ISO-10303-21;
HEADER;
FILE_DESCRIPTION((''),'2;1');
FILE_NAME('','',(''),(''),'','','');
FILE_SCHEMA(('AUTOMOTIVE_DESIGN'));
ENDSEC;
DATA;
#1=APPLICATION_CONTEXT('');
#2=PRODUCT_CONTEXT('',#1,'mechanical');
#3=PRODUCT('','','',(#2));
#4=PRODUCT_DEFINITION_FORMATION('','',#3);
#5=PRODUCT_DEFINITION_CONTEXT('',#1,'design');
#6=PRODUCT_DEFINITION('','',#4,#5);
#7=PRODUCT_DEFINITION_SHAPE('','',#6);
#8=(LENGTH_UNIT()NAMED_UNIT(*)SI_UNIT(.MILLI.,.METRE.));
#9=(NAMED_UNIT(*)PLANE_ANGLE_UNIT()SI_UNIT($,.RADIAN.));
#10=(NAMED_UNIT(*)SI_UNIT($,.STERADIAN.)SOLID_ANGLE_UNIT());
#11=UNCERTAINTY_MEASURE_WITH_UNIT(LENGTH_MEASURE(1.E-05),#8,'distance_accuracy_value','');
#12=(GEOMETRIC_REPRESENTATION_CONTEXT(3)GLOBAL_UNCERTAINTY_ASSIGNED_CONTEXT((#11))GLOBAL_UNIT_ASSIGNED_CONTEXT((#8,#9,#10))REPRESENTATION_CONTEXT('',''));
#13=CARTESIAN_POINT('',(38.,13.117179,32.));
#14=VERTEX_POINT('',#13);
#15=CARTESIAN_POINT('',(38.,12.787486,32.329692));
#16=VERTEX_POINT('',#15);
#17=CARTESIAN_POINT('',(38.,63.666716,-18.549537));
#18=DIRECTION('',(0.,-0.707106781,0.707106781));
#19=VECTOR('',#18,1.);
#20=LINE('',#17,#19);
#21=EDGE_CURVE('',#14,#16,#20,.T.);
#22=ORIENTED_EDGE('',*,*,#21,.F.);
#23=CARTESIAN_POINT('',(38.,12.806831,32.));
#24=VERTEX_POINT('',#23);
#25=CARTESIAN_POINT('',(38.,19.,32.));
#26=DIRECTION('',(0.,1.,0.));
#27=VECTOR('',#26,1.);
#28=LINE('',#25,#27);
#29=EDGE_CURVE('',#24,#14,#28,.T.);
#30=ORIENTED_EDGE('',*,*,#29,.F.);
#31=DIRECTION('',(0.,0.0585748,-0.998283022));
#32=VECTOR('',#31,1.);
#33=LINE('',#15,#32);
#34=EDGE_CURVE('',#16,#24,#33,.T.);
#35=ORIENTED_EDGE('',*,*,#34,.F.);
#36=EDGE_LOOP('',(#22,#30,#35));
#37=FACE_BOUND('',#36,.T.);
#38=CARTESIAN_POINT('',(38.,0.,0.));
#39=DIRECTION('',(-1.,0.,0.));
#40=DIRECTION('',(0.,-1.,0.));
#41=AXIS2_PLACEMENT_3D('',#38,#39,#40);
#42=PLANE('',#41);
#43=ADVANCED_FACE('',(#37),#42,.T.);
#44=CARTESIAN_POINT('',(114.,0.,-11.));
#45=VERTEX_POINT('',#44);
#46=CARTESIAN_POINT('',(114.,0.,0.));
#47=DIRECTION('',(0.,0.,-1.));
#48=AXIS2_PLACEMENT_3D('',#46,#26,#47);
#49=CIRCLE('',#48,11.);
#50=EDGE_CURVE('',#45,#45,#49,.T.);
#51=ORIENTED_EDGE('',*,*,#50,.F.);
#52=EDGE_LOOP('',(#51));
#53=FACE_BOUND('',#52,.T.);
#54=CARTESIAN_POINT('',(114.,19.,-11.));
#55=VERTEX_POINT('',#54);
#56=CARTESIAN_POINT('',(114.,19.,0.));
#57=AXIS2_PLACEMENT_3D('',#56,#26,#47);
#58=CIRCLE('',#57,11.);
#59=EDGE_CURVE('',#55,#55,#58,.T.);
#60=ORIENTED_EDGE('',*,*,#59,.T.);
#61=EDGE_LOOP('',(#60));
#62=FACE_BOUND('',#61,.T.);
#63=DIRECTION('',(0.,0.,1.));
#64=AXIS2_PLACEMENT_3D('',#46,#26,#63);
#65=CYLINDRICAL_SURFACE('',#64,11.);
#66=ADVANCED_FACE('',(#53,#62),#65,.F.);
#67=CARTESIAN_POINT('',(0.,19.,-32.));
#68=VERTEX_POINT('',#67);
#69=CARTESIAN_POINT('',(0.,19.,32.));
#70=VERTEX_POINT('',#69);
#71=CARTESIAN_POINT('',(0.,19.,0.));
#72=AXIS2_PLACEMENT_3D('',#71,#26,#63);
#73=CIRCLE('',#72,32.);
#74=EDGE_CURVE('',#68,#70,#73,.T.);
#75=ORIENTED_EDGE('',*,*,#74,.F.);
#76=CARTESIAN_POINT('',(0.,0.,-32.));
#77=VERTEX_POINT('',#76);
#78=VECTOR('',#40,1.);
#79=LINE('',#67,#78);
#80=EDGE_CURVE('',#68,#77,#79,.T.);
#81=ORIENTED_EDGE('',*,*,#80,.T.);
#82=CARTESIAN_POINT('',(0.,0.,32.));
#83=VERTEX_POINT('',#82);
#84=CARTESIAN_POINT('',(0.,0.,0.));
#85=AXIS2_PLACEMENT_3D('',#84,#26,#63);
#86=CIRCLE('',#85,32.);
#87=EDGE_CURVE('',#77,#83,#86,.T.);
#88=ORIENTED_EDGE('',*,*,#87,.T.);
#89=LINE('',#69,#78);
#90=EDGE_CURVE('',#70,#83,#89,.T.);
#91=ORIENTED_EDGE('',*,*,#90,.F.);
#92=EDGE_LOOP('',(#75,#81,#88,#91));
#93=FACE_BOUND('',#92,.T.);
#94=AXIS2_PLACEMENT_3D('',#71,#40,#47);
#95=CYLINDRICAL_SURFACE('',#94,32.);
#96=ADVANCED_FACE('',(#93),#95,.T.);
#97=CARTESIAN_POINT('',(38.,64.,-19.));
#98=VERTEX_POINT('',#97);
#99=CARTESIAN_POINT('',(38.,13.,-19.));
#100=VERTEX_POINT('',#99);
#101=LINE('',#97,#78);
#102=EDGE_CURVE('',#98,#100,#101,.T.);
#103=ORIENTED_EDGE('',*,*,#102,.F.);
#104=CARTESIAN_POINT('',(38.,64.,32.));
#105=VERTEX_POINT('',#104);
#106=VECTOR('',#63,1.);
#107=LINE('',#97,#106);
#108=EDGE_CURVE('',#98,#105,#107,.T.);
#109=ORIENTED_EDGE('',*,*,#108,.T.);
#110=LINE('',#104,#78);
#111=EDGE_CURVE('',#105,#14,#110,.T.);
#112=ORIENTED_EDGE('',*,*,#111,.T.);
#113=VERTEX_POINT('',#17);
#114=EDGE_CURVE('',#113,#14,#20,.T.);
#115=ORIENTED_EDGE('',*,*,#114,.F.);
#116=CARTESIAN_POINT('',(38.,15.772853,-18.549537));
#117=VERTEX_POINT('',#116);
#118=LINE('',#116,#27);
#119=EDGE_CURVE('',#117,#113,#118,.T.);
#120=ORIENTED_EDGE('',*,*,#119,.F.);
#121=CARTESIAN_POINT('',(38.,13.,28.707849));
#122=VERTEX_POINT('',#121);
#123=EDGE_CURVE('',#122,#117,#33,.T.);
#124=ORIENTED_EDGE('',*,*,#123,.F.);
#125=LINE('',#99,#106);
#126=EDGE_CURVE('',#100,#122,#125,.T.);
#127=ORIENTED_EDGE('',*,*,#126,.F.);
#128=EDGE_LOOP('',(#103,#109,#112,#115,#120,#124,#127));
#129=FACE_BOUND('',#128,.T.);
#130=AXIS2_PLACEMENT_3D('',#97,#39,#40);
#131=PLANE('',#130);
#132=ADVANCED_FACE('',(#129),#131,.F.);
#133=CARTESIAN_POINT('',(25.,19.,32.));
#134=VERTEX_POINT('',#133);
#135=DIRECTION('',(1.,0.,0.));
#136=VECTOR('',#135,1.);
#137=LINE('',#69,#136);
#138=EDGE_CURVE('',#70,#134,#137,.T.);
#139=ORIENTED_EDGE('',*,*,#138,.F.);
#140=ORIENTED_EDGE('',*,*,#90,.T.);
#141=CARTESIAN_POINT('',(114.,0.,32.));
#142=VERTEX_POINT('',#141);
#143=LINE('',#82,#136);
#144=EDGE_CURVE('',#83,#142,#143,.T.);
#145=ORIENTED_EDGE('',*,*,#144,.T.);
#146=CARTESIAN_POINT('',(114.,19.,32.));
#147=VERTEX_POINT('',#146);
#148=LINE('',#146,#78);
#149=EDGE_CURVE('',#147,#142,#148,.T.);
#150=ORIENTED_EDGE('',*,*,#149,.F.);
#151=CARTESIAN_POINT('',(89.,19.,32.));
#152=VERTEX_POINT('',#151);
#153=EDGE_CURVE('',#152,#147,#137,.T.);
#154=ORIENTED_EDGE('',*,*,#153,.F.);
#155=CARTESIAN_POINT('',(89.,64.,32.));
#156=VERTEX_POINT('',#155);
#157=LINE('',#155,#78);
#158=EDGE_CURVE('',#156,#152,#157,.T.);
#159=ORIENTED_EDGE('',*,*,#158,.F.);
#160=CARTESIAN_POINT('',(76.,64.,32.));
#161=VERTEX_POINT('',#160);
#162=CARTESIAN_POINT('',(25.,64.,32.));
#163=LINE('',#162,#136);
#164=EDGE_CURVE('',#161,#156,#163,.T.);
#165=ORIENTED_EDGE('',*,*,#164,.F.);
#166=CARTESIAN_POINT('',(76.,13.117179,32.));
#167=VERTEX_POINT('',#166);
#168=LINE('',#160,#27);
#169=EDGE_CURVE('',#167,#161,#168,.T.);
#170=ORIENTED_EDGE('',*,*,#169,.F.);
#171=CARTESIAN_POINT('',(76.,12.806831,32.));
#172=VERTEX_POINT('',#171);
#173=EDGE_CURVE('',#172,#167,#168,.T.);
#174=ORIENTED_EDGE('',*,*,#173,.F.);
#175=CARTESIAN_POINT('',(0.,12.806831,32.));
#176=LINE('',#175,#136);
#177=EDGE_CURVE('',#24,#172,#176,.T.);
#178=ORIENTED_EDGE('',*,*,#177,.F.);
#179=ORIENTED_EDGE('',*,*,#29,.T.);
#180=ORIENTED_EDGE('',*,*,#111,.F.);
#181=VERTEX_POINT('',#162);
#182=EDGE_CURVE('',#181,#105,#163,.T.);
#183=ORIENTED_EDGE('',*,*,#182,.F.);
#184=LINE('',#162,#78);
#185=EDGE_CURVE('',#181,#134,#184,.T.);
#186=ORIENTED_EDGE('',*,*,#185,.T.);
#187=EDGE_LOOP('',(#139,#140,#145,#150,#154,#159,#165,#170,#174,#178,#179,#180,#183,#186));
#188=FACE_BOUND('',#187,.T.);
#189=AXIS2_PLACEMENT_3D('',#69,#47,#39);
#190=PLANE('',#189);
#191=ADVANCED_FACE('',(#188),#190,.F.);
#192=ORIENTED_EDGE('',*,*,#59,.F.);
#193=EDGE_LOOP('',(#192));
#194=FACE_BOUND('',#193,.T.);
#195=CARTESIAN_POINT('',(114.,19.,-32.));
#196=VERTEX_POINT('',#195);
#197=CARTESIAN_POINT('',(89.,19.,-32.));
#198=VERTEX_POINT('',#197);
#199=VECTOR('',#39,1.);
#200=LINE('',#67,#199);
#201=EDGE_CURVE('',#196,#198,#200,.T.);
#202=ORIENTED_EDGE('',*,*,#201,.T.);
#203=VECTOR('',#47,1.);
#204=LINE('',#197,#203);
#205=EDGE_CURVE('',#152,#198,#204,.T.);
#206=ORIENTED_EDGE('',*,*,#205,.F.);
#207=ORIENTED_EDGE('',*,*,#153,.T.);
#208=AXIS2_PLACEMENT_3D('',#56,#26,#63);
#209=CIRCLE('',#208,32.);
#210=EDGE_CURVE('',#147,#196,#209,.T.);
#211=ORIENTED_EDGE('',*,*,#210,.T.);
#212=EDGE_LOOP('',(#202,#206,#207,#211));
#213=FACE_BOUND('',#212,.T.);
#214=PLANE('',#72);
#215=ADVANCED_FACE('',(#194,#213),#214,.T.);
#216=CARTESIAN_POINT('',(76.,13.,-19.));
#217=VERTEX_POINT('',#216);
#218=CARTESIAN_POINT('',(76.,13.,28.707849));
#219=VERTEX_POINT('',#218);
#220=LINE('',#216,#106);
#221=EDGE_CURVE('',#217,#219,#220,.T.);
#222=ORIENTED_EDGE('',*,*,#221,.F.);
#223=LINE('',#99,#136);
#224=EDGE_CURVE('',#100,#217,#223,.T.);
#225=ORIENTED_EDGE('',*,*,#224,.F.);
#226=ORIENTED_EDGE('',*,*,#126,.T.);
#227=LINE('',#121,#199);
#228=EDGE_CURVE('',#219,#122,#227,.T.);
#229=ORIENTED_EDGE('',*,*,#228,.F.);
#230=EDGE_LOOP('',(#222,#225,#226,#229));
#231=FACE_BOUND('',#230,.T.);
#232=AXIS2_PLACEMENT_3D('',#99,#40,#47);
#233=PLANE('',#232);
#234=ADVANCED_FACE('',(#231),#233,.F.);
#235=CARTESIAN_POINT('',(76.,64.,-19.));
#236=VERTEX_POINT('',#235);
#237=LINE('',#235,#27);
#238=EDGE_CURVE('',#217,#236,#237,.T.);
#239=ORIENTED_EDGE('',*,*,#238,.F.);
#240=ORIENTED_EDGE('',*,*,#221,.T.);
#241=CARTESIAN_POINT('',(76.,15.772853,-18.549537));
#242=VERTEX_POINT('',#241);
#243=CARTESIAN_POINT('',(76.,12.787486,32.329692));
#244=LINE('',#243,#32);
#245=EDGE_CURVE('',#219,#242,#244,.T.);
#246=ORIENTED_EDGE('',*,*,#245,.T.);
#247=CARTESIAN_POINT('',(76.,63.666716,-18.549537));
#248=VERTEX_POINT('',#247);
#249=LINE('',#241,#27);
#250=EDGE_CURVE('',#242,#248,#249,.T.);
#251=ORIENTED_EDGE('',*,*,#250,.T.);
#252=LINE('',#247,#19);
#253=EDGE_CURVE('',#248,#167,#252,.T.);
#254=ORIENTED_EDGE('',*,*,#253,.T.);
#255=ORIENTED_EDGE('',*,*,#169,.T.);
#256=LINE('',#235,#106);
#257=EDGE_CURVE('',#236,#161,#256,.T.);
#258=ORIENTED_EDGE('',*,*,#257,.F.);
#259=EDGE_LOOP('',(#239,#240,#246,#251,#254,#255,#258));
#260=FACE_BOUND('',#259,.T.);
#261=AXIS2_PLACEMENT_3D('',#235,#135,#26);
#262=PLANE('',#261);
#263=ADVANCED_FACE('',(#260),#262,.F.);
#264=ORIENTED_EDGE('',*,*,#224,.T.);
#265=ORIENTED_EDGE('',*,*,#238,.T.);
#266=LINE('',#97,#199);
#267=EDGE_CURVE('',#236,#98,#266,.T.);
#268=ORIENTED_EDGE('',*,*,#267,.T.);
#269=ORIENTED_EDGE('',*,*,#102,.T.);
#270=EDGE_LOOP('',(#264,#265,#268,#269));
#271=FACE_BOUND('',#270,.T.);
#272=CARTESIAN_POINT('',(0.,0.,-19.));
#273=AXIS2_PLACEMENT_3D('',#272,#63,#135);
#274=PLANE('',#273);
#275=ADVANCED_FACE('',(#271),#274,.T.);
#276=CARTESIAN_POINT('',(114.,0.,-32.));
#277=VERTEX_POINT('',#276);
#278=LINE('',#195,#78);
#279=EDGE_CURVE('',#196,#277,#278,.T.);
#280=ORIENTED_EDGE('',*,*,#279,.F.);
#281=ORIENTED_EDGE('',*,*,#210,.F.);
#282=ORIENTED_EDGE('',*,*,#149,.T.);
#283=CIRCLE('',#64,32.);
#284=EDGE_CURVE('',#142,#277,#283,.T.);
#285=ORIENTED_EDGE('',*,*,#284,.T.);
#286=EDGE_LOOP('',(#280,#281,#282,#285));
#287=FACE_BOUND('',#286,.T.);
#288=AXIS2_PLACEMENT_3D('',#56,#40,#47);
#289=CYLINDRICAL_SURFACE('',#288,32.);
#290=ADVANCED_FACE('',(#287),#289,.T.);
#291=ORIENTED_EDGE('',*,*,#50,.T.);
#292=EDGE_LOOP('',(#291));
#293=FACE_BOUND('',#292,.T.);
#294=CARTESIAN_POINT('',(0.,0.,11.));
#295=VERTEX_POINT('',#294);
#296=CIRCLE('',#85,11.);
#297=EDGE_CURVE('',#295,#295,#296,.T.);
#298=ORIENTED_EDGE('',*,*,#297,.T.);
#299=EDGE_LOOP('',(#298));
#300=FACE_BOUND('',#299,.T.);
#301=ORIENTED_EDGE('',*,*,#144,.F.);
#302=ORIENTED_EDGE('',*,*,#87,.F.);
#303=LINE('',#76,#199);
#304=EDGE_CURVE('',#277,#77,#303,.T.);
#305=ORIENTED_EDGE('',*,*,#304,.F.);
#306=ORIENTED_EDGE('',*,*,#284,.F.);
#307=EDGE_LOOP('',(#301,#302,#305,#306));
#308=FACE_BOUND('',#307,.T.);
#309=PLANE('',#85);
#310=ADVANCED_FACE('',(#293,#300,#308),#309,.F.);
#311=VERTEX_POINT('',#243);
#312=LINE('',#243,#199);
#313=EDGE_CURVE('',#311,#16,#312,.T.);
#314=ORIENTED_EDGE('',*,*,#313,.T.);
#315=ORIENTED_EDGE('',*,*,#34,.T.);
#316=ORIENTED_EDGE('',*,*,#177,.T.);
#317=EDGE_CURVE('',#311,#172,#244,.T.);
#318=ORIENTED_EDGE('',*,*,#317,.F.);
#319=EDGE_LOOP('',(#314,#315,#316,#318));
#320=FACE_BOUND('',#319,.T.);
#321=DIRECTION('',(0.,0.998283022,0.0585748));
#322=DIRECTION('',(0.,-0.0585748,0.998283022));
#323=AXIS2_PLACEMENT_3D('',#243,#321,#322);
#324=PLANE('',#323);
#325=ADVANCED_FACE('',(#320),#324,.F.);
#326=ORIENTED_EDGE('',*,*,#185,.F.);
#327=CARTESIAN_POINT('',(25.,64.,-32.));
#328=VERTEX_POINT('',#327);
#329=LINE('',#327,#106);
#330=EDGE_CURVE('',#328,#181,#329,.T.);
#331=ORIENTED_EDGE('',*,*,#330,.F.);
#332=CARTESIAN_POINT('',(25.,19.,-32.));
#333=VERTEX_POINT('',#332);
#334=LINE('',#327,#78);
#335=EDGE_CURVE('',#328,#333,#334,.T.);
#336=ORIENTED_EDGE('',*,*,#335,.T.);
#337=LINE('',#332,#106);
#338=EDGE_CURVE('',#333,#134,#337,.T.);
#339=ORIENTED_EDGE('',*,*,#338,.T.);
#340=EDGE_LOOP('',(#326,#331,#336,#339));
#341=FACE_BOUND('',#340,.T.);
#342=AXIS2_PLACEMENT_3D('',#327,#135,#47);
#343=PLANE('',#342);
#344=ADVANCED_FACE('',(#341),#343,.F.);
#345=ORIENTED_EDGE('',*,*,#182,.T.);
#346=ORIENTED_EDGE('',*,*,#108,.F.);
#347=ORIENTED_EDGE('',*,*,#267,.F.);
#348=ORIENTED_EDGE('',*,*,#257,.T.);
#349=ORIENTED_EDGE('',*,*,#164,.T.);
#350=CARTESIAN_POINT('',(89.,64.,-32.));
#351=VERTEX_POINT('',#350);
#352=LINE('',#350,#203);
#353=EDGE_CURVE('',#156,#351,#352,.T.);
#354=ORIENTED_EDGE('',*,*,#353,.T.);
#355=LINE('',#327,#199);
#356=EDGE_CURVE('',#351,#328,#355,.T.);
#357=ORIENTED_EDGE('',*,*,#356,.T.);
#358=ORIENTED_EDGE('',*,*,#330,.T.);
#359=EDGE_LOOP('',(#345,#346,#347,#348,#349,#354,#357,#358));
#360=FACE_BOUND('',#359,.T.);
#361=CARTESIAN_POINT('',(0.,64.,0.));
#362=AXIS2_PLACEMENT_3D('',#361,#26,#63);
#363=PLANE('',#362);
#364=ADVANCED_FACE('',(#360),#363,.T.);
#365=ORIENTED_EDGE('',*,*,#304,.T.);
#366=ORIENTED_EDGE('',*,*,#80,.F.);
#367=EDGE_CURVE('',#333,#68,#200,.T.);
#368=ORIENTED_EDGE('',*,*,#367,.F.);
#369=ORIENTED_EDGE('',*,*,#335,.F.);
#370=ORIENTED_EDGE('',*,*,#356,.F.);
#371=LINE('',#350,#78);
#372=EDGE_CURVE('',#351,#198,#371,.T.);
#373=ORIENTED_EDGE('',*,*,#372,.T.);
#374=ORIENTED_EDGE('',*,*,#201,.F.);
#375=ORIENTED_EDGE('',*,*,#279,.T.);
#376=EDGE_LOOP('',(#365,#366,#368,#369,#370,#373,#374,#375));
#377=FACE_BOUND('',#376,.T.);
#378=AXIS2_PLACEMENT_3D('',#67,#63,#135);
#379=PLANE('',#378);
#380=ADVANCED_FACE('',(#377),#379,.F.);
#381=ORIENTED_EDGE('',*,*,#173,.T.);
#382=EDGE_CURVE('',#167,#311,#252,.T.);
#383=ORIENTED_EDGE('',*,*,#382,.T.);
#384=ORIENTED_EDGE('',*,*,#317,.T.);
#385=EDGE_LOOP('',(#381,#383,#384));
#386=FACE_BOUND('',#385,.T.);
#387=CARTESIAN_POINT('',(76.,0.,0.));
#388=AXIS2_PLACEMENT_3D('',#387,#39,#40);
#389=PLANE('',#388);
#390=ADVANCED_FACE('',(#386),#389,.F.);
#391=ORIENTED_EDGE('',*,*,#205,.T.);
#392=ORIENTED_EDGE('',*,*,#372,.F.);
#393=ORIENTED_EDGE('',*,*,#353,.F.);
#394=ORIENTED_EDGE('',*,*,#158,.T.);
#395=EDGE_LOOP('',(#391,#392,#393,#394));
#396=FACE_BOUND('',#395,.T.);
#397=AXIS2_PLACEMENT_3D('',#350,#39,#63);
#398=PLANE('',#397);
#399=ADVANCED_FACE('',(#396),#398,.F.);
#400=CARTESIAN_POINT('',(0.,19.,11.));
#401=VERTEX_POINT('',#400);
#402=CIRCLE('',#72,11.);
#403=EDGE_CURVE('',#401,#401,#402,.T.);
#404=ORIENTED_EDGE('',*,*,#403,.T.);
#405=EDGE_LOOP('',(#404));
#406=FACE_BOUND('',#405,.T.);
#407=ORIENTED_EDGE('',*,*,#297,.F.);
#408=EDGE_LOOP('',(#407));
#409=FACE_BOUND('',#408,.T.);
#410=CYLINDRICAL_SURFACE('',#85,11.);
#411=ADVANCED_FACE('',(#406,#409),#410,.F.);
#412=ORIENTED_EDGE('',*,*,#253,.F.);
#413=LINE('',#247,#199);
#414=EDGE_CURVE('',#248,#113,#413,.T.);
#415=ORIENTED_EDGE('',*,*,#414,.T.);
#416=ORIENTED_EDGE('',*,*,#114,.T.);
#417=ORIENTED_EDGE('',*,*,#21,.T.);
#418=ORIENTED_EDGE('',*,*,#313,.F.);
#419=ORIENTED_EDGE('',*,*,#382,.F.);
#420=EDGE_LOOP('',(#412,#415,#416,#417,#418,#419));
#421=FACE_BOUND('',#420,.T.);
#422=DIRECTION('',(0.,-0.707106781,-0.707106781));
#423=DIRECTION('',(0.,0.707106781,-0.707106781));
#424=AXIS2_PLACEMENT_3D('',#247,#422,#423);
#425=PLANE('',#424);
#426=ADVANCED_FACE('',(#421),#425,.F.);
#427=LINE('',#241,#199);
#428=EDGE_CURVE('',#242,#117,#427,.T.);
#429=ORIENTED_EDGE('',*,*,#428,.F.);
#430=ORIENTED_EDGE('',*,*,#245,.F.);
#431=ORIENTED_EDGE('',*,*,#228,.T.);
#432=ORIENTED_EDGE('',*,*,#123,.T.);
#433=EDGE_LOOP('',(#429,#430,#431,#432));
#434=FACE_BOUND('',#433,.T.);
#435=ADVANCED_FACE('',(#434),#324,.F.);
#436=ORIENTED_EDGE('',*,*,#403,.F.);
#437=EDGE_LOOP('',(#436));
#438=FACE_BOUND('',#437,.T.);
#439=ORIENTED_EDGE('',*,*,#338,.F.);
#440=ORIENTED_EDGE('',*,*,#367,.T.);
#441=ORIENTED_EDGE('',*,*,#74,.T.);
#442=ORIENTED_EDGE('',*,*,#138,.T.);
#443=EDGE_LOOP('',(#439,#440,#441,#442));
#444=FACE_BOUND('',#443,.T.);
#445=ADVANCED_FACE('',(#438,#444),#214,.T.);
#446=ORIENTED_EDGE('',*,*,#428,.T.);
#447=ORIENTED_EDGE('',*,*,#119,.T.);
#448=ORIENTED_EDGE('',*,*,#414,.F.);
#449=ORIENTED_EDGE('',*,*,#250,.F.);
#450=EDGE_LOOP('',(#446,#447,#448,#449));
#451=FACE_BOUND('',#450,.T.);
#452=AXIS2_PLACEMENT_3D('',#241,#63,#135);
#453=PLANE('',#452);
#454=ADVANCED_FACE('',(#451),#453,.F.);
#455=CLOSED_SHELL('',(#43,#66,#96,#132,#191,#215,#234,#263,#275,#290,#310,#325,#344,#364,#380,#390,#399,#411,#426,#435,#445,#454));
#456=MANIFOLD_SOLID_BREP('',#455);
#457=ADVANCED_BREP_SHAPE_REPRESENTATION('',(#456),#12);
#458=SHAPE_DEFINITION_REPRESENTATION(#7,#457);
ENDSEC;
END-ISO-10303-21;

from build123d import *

# Parameters (mm, degrees)
BOSS_EXTRUDE2_DEPTH = 19
SKETCH4_R           = 11
CUT_EXTRUDE1_DEPTH  = 151.668510313
SKETCH5_W           = 64
SKETCH5_H           = 64
BOSS_EXTRUDE3_DEPTH = 45
SKETCH6_W           = 38
SKETCH6_H           = 51
CUT_EXTRUDE2_DEPTH  = 51
BOSS_EXTRUDE4_DEPTH = 38


with BuildPart() as part:
    # Sketch3 → Boss-Extrude2 (new body)
    with BuildSketch(Plane(origin=(0, 0, 0), x_dir=(1, 0, 0), z_dir=(0, 1, 0))):
        with BuildLine():
            Line((0, 32), (114, 32))
            ThreePointArc((114, 32), (146, 0), (114, -32))
            Line((114, -32), (0, -32))
            ThreePointArc((0, -32), (-32, 0), (0, 32))
        make_face()
    extrude(amount=BOSS_EXTRUDE2_DEPTH)

    # Sketch4 → Cut-Extrude1 (cut, through all)
    with BuildSketch(Plane(origin=(0, 19, 0), x_dir=(1, 0, 0), z_dir=(0, 1, 0))):
        with Locations(Location((0, 0, 0), (0, 0, 270))):
            Circle(SKETCH4_R)
        with Locations(Location((114, 0, 0), (0, 0, 90))):
            Circle(SKETCH4_R)
    extrude(amount=-CUT_EXTRUDE1_DEPTH, mode=Mode.SUBTRACT)

    # Sketch5 → Boss-Extrude3 (add)
    with BuildSketch(Plane(origin=(0, 19, 0), x_dir=(1, 0, 0), z_dir=(0, 1, 0))):
        with Locations((57, 0)):
            Rectangle(SKETCH5_W, SKETCH5_H)
    extrude(amount=BOSS_EXTRUDE3_DEPTH)

    # Sketch6 → Cut-Extrude2 (cut)
    with BuildSketch(Plane.XY.offset(32)):
        with Locations((57, 38.5)):
            Rectangle(SKETCH6_W, SKETCH6_H)
    extrude(amount=-CUT_EXTRUDE2_DEPTH, mode=Mode.SUBTRACT)

    # Sketch8 → Boss-Extrude4 (add)
    with BuildSketch(Plane(origin=(38, 0, 0), x_dir=(0, 0, -1), z_dir=(1, 0, 0))):
        Polygon((18.549537032, 63.66671572), (-32.32969233, 12.787486357), (18.549537032, 15.77285286), align=None)
    extrude(amount=BOSS_EXTRUDE4_DEPTH)


solid = part.part
